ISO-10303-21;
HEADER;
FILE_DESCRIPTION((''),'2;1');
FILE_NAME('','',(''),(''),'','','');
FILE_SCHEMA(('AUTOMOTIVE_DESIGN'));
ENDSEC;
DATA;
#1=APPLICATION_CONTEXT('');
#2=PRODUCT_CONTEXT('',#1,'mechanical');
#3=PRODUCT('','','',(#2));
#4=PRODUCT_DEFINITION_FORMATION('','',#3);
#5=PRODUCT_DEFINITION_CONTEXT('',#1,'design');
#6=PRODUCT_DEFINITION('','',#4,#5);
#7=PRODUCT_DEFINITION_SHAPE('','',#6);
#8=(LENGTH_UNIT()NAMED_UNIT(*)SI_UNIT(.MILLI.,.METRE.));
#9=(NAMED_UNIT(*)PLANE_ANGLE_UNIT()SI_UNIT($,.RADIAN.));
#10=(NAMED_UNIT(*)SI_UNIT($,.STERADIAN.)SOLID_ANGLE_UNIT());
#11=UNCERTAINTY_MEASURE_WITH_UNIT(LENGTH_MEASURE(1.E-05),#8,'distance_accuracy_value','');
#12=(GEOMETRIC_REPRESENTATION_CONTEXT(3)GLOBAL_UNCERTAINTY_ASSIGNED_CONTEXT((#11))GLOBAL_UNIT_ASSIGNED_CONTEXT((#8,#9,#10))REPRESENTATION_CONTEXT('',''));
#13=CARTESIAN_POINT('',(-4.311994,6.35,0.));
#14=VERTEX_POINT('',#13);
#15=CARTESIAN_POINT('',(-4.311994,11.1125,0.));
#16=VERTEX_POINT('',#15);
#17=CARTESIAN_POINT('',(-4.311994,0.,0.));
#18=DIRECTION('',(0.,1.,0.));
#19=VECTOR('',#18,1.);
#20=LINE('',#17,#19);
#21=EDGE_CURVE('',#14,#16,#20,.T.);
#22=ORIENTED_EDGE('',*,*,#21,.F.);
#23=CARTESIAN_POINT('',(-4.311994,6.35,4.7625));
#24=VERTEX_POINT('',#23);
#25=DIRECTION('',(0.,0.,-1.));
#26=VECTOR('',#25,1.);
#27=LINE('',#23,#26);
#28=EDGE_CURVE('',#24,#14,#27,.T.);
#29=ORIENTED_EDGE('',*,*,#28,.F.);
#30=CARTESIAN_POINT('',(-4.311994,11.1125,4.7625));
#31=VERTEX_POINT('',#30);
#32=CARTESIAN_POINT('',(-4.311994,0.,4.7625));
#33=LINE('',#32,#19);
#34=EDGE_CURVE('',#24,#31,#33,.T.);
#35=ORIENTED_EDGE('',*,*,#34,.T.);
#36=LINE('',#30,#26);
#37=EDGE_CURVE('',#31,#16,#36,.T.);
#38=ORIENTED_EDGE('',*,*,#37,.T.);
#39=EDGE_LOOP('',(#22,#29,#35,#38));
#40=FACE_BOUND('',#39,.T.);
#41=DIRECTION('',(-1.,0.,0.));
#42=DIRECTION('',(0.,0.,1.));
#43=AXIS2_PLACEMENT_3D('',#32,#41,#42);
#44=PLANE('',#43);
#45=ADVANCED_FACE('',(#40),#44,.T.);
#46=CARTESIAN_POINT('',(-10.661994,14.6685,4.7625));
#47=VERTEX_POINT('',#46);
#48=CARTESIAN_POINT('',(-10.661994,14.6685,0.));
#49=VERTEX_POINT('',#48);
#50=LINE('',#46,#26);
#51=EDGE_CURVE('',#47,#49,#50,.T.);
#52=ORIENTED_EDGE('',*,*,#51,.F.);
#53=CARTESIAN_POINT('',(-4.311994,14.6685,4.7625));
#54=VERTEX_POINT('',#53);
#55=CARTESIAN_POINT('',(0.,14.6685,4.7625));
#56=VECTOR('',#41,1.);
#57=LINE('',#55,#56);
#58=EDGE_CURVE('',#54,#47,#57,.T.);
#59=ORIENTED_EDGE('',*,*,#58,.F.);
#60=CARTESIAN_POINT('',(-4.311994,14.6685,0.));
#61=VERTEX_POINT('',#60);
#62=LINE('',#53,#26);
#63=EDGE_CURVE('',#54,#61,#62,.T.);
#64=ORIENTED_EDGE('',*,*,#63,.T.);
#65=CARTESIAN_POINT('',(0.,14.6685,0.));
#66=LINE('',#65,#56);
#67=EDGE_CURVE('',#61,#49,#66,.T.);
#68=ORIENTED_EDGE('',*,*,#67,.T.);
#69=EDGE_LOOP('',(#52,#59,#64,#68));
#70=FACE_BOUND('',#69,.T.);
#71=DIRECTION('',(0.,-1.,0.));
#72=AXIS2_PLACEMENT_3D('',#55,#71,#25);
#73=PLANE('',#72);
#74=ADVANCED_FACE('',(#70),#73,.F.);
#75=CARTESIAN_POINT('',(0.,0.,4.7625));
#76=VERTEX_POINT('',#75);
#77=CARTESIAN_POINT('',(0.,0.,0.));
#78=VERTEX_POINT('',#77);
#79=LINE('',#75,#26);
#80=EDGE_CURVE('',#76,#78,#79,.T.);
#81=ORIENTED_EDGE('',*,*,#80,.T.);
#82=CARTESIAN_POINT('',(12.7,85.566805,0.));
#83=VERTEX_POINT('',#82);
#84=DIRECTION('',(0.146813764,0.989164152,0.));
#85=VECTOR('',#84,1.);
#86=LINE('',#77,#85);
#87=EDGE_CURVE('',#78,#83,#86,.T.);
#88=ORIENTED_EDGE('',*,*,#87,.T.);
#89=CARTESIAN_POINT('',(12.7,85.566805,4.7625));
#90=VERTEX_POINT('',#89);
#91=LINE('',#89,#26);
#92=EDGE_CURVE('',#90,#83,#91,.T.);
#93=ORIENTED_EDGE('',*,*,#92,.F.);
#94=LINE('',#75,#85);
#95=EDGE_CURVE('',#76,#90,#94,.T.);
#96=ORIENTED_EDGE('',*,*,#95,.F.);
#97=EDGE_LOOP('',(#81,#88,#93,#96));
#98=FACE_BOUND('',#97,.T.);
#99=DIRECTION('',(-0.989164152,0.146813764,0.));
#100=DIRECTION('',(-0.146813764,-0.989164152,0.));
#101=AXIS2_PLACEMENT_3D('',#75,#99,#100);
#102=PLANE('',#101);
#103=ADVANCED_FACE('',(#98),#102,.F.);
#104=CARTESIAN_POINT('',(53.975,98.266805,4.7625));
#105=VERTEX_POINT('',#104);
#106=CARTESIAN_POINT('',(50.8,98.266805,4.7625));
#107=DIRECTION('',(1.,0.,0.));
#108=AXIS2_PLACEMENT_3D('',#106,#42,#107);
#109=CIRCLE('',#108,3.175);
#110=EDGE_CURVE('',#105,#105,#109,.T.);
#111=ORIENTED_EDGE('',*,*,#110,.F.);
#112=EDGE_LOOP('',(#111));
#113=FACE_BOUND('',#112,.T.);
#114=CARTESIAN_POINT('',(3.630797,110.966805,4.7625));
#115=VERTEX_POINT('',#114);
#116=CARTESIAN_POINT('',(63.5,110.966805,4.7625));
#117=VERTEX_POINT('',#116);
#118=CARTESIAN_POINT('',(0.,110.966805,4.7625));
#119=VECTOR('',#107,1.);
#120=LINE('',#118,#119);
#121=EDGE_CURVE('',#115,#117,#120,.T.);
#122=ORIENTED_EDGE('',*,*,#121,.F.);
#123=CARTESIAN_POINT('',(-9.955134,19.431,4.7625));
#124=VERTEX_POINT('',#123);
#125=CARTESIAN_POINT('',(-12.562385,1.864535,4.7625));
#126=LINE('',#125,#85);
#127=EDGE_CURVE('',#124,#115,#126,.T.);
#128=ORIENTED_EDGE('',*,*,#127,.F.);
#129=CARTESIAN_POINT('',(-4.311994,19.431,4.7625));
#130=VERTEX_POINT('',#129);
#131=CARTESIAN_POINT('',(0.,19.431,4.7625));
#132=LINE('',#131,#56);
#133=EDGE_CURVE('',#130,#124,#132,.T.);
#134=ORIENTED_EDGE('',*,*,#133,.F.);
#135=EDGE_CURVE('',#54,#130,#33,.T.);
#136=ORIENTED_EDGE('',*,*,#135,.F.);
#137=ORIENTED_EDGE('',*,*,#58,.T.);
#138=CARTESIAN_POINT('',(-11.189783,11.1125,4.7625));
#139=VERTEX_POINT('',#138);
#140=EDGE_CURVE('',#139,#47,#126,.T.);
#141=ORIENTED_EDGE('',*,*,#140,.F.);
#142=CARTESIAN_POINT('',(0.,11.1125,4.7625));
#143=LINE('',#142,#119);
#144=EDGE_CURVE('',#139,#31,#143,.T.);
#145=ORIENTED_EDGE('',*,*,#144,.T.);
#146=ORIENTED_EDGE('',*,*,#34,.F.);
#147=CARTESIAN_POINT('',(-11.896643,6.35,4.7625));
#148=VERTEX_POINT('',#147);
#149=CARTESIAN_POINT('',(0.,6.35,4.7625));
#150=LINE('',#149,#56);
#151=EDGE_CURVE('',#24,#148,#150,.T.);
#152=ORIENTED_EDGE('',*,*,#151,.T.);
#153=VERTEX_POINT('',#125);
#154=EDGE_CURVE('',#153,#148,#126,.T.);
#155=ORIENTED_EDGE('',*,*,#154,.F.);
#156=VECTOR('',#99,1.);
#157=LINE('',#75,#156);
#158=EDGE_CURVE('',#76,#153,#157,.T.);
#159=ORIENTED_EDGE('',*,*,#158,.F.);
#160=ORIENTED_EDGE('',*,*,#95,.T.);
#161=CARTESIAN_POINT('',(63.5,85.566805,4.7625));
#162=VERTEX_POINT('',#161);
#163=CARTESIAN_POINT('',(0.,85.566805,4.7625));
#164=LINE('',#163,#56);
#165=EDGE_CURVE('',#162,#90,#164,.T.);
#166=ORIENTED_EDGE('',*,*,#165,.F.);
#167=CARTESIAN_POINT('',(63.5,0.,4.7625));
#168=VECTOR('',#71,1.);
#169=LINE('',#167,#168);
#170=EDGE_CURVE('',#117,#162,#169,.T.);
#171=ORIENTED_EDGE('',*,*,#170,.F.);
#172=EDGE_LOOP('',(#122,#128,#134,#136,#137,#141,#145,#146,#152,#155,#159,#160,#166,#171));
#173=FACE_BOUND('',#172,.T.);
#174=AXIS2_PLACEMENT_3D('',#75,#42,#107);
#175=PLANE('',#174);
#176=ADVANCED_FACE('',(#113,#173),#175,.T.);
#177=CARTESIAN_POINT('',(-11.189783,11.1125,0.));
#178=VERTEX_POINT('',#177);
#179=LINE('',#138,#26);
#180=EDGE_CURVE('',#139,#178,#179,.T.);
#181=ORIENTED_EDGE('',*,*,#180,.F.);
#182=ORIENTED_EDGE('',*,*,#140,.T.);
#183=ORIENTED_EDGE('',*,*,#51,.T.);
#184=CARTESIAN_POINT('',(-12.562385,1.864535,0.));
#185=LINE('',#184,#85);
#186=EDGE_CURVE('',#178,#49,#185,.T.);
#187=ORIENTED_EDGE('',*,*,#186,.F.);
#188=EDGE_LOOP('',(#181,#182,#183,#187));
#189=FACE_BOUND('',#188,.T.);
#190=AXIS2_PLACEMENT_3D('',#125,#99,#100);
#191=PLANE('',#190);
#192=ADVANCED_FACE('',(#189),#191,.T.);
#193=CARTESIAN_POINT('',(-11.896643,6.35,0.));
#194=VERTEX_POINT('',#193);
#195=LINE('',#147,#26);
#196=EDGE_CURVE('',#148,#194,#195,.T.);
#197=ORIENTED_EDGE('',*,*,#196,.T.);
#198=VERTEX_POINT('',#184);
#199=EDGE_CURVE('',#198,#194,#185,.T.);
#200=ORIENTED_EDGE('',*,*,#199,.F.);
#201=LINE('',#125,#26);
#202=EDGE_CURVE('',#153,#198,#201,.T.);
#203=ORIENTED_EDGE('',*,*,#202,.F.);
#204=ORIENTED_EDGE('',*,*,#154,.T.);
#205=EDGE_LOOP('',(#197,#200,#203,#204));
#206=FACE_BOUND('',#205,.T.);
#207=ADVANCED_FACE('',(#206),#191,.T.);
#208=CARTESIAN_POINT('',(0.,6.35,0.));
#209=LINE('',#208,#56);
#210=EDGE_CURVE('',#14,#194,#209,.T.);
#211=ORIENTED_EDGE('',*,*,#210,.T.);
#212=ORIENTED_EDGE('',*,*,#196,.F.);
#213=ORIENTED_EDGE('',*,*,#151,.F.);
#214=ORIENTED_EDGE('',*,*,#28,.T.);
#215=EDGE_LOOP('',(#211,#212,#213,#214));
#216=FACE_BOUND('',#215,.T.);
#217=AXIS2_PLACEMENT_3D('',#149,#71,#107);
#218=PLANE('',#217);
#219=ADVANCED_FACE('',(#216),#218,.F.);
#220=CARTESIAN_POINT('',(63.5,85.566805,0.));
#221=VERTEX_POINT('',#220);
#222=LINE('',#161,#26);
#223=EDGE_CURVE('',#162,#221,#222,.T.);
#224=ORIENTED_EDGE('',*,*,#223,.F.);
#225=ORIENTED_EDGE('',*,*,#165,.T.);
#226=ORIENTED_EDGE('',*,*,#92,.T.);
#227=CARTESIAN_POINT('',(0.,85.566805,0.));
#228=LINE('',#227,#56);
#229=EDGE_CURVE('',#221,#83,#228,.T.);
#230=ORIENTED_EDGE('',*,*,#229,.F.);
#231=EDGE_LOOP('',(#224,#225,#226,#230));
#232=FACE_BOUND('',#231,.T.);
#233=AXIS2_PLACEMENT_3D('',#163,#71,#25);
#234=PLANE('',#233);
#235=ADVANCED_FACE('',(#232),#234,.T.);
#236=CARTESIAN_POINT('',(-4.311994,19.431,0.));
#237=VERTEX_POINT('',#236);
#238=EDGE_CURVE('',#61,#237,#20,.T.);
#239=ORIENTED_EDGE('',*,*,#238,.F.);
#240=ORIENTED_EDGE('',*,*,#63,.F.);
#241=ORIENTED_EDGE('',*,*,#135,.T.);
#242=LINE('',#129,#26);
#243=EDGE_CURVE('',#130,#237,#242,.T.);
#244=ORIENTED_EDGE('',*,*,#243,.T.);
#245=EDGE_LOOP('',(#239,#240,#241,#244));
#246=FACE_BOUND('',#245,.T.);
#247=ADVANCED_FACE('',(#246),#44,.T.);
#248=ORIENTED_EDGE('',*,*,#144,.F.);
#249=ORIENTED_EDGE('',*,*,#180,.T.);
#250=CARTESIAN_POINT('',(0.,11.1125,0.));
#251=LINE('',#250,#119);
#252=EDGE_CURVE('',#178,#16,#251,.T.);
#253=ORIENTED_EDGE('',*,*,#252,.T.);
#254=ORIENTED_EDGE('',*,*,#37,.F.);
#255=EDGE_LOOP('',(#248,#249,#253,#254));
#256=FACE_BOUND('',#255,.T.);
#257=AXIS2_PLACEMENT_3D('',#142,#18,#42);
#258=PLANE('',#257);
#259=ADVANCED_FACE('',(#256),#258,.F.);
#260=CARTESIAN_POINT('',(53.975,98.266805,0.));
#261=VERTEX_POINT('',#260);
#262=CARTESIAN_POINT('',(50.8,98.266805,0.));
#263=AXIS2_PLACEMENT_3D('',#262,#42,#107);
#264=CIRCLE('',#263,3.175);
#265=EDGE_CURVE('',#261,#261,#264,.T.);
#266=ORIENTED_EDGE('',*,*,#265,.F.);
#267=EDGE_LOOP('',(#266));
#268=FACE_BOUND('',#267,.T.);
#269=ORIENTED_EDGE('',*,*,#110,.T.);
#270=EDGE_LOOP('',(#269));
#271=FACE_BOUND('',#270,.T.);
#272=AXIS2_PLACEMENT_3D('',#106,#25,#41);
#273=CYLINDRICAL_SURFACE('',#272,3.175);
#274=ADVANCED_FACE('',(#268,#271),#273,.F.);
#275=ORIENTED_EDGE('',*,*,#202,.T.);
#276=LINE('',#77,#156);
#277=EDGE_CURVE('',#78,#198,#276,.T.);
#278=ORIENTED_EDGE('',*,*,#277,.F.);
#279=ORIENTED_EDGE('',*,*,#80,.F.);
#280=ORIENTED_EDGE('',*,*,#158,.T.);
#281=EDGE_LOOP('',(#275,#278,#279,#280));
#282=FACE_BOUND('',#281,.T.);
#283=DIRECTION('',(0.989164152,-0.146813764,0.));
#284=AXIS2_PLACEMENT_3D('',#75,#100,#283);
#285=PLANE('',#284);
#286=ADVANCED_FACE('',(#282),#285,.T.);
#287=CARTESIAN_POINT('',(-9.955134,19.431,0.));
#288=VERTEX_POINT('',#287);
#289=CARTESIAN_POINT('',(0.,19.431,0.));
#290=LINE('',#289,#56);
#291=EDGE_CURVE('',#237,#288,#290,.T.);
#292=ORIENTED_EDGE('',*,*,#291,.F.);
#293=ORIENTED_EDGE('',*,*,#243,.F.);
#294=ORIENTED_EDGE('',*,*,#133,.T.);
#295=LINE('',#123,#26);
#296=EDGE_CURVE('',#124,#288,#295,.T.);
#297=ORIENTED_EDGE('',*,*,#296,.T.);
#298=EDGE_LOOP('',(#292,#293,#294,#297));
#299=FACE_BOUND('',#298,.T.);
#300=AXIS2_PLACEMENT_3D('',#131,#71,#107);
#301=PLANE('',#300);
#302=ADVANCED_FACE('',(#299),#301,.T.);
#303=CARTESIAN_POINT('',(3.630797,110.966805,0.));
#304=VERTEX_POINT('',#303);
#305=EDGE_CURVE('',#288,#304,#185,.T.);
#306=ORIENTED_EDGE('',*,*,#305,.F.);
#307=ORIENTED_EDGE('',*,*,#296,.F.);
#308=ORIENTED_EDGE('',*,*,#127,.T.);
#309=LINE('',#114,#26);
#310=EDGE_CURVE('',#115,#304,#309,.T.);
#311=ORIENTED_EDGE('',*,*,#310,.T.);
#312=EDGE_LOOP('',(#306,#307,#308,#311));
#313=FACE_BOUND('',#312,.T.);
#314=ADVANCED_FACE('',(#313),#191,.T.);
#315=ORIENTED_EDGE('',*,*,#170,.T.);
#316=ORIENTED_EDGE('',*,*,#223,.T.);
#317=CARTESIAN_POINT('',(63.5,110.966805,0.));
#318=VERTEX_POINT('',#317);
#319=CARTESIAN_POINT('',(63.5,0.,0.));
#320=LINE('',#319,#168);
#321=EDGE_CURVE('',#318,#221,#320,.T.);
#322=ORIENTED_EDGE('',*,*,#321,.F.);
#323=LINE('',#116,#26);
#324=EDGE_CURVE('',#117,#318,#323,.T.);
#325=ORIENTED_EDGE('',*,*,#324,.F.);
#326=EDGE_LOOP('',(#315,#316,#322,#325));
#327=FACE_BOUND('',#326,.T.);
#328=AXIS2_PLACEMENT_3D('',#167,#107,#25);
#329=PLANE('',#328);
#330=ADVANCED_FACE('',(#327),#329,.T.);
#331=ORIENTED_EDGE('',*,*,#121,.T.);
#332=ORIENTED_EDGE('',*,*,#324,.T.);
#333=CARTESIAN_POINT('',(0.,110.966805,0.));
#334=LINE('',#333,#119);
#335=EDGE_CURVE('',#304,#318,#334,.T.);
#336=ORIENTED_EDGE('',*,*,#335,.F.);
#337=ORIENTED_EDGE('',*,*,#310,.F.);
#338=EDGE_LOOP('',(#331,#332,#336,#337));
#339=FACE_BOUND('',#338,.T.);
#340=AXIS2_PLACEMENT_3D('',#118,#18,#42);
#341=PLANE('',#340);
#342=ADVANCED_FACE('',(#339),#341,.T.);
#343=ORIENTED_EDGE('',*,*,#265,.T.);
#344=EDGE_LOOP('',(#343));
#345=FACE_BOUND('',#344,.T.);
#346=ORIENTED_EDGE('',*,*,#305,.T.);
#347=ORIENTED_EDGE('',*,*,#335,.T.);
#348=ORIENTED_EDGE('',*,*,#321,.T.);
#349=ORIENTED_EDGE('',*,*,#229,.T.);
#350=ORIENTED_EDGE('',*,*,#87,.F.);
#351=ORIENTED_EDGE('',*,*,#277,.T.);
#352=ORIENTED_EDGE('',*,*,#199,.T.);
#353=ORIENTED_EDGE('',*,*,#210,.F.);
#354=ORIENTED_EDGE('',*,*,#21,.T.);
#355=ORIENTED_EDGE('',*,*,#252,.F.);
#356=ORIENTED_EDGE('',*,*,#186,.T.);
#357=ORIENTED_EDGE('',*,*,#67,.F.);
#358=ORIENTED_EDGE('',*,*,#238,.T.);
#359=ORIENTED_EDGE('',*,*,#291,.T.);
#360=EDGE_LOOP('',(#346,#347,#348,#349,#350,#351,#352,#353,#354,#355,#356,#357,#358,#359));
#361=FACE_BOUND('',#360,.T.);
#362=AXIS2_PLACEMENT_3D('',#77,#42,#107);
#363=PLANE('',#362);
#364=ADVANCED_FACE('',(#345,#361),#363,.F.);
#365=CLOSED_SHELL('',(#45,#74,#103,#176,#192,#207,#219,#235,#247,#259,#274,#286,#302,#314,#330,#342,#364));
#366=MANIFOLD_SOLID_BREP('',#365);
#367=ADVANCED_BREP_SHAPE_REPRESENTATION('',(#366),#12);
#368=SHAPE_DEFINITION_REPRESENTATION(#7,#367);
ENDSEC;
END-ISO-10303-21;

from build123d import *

# Parameters (mm, degrees)
SKETCH1_R           = 3.175
BOSS_EXTRUDE1_DEPTH = 4.7625


with BuildPart() as part:
    # Sketch1 → Boss-Extrude1 (new body)
    with BuildSketch(Plane.XY):
        Polygon((3.6307971, 110.966804989), (-9.955134074, 19.431), (-4.311994053, 19.431), (-4.311994053, 14.6685), (-10.661994053, 14.6685), (-11.189782837, 11.1125), (-4.311994053, 11.1125), (-4.311994053, 6.35), (-11.896642817, 6.35), (-12.562384724, 1.864534804), (0, 0), (12.7, 85.566804989), (63.5, 85.566804989), (63.5, 110.966804989), align=None)
        with Locations((50.8, 98.266804989)):
            Circle(SKETCH1_R, mode=Mode.SUBTRACT)
    extrude(amount=BOSS_EXTRUDE1_DEPTH)


solid = part.part
